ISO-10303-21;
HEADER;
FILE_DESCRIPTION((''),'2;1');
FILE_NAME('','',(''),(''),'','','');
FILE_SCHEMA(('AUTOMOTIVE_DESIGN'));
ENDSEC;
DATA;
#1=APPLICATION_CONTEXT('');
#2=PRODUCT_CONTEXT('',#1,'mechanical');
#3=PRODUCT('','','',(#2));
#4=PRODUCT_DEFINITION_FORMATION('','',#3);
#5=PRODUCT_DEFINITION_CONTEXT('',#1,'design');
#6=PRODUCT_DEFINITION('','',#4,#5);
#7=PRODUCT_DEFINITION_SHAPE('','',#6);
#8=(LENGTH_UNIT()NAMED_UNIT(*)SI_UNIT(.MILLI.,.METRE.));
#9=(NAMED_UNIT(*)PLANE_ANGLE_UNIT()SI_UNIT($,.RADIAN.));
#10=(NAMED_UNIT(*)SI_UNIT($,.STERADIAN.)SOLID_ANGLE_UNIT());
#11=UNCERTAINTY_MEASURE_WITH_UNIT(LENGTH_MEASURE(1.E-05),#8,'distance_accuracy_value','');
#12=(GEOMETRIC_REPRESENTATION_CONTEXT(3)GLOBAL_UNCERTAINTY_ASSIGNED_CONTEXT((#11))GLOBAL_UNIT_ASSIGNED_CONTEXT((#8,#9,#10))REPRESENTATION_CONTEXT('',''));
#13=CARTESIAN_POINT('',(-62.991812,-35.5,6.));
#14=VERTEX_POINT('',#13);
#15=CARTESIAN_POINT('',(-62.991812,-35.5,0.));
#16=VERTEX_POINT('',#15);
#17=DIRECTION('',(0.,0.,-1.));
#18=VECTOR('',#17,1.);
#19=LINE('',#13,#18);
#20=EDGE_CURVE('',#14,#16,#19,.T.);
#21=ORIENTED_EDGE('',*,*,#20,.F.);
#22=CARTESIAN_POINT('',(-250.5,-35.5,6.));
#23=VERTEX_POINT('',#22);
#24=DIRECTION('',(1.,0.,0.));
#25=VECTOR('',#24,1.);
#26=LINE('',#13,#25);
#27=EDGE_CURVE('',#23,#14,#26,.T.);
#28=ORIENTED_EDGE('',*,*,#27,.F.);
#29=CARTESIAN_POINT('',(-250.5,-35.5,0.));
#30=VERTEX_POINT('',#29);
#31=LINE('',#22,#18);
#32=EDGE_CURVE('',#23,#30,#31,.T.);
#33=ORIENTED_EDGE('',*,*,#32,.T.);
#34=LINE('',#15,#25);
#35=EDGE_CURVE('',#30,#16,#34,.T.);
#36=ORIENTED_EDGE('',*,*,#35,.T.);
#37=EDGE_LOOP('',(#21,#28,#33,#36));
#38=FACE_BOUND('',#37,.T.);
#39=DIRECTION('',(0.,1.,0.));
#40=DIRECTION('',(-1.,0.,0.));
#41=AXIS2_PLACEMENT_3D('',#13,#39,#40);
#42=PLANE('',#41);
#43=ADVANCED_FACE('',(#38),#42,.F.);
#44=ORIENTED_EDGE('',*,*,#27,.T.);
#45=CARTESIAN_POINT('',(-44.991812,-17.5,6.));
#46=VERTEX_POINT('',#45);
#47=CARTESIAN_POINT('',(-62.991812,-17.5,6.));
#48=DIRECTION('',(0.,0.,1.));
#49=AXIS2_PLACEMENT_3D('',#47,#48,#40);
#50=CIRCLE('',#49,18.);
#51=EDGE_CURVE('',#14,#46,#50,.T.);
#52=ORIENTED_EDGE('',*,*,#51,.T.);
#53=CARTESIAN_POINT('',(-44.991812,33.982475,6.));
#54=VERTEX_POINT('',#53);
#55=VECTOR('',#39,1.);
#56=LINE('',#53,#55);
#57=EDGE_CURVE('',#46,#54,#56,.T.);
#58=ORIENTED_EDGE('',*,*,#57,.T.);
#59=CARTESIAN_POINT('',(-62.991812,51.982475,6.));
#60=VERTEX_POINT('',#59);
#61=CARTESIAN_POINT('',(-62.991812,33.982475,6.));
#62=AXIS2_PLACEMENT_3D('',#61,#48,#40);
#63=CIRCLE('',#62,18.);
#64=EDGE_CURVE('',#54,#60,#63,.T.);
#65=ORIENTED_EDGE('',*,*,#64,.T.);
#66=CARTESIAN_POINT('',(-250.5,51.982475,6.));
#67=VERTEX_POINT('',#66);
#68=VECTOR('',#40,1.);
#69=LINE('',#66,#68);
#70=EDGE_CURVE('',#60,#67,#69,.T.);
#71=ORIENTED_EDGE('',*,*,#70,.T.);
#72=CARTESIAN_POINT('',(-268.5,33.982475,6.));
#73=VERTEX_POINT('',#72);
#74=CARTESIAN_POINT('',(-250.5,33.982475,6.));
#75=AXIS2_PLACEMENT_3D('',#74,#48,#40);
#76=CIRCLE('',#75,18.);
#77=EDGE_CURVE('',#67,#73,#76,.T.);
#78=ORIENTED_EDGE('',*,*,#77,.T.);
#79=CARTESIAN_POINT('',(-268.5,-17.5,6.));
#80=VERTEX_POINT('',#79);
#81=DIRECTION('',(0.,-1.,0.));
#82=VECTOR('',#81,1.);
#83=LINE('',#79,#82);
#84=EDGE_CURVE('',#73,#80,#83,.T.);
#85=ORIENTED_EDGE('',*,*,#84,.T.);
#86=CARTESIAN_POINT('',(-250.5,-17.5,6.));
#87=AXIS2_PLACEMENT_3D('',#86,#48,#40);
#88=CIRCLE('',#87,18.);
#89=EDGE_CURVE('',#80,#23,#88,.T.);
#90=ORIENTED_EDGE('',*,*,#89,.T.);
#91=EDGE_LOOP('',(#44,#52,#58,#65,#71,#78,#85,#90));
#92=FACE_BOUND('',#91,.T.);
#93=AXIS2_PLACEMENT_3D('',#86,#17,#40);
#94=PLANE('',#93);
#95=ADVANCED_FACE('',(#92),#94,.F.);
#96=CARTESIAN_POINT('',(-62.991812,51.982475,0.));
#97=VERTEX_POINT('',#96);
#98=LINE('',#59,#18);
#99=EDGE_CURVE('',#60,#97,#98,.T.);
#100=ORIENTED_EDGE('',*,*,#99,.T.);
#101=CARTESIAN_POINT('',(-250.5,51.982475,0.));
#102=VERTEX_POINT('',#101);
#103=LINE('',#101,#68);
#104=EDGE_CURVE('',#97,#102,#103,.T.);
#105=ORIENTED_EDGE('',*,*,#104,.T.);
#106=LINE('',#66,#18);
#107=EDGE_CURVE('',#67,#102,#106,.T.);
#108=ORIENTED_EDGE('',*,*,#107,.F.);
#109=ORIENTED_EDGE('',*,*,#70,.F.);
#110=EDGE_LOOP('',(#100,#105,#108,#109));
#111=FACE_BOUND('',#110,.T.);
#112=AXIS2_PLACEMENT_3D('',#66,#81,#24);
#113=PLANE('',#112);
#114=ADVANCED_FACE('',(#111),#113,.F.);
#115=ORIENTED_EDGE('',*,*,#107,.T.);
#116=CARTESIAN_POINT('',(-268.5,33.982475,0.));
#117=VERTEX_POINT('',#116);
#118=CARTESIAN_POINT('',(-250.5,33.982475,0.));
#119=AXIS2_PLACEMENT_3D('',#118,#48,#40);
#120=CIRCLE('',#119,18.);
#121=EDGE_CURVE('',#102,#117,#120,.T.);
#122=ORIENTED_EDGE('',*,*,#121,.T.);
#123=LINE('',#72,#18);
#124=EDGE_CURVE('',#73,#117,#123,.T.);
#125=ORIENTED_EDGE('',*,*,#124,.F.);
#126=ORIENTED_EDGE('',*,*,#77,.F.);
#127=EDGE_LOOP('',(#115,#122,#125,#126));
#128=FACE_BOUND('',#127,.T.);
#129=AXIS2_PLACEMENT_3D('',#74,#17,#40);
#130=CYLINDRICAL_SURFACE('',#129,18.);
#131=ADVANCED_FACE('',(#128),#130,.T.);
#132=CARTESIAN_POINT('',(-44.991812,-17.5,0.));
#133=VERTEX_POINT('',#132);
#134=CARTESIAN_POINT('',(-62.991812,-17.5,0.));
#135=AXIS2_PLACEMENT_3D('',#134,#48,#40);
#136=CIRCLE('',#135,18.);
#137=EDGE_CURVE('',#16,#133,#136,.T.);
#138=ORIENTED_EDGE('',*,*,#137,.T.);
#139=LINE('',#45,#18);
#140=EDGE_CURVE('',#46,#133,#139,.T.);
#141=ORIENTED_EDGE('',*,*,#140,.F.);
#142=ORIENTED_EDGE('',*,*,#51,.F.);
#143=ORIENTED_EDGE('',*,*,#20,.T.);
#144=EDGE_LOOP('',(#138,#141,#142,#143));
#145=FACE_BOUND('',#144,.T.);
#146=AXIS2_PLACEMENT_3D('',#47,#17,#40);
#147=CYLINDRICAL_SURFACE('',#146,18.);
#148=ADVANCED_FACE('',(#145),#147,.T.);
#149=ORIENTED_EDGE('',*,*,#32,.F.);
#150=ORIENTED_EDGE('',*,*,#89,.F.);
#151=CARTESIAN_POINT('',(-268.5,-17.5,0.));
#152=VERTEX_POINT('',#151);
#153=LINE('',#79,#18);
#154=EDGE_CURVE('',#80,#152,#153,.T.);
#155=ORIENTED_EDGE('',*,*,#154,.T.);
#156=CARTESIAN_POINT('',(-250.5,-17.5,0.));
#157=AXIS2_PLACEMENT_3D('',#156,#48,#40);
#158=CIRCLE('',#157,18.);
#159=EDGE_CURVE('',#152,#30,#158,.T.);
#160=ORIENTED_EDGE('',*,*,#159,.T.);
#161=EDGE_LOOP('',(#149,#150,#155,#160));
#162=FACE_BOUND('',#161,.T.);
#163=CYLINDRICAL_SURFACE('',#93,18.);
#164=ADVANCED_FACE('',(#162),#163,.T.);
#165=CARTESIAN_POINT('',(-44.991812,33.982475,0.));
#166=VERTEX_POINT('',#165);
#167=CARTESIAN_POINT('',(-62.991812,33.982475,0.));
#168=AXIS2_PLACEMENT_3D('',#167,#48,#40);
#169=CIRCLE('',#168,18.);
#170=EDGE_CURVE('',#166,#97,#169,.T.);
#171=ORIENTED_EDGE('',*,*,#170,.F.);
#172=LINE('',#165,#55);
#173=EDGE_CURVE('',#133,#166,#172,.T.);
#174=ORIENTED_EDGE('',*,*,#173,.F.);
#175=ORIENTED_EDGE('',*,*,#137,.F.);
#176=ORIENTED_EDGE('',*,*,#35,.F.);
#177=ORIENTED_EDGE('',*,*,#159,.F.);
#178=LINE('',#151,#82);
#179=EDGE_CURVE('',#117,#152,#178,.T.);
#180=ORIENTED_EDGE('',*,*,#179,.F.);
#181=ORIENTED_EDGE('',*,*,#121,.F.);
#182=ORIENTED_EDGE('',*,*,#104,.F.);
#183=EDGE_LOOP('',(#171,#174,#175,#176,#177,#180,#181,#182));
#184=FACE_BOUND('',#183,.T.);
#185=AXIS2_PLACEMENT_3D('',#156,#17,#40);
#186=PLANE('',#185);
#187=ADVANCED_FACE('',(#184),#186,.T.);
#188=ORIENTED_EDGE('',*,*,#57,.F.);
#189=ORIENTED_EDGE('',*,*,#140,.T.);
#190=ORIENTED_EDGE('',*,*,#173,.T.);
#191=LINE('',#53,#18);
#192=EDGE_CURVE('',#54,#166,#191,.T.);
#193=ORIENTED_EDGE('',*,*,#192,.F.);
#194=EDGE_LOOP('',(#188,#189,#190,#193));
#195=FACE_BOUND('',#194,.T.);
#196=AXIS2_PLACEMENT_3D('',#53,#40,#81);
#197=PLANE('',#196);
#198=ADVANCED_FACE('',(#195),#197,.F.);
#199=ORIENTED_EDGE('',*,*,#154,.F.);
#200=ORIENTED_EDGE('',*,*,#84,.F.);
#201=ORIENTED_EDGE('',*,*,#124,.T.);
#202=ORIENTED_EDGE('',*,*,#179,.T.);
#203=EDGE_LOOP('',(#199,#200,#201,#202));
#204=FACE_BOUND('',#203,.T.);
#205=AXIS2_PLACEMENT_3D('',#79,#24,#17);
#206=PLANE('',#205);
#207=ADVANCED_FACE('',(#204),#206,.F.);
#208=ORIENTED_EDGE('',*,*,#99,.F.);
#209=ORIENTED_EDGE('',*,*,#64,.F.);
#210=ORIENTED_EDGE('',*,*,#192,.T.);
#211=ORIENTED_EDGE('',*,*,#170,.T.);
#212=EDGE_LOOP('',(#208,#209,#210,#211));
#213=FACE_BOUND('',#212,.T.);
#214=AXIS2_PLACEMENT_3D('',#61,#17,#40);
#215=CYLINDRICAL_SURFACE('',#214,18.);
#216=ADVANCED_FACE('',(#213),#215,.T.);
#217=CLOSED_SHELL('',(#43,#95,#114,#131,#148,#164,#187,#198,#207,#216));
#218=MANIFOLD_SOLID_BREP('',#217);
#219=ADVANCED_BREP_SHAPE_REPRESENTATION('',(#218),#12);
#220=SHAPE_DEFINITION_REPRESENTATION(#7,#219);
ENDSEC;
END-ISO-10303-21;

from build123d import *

# Parameters (mm, degrees)
BOSS_EXTRUDE1_DEPTH = 6


with BuildPart() as part:
    # Sketch1 → Boss-Extrude1 (new body)
    with BuildSketch(Plane.XY):
        with BuildLine():
            Line((-268.5, -17.5), (-268.5, 33.98247508))
            ThreePointArc((-268.5, 33.98247508), (-263.227922061, 46.710397141), (-250.5, 51.98247508))
            Line((-250.5, 51.98247508), (-62.991811867, 51.98247508))
            ThreePointArc((-62.991811867, 51.98247508), (-50.263889805, 46.710397141), (-44.991811867, 33.98247508))
            Line((-44.991811867, 33.98247508), (-44.991811867, -17.5))
            ThreePointArc((-44.991811867, -17.5), (-50.263889805, -30.227922061), (-62.991811867, -35.5))
            Line((-62.991811867, -35.5), (-250.5, -35.5))
            ThreePointArc((-250.5, -35.5), (-263.227922061, -30.227922061), (-268.5, -17.5))
        make_face()
    extrude(amount=BOSS_EXTRUDE1_DEPTH)


solid = part.part
